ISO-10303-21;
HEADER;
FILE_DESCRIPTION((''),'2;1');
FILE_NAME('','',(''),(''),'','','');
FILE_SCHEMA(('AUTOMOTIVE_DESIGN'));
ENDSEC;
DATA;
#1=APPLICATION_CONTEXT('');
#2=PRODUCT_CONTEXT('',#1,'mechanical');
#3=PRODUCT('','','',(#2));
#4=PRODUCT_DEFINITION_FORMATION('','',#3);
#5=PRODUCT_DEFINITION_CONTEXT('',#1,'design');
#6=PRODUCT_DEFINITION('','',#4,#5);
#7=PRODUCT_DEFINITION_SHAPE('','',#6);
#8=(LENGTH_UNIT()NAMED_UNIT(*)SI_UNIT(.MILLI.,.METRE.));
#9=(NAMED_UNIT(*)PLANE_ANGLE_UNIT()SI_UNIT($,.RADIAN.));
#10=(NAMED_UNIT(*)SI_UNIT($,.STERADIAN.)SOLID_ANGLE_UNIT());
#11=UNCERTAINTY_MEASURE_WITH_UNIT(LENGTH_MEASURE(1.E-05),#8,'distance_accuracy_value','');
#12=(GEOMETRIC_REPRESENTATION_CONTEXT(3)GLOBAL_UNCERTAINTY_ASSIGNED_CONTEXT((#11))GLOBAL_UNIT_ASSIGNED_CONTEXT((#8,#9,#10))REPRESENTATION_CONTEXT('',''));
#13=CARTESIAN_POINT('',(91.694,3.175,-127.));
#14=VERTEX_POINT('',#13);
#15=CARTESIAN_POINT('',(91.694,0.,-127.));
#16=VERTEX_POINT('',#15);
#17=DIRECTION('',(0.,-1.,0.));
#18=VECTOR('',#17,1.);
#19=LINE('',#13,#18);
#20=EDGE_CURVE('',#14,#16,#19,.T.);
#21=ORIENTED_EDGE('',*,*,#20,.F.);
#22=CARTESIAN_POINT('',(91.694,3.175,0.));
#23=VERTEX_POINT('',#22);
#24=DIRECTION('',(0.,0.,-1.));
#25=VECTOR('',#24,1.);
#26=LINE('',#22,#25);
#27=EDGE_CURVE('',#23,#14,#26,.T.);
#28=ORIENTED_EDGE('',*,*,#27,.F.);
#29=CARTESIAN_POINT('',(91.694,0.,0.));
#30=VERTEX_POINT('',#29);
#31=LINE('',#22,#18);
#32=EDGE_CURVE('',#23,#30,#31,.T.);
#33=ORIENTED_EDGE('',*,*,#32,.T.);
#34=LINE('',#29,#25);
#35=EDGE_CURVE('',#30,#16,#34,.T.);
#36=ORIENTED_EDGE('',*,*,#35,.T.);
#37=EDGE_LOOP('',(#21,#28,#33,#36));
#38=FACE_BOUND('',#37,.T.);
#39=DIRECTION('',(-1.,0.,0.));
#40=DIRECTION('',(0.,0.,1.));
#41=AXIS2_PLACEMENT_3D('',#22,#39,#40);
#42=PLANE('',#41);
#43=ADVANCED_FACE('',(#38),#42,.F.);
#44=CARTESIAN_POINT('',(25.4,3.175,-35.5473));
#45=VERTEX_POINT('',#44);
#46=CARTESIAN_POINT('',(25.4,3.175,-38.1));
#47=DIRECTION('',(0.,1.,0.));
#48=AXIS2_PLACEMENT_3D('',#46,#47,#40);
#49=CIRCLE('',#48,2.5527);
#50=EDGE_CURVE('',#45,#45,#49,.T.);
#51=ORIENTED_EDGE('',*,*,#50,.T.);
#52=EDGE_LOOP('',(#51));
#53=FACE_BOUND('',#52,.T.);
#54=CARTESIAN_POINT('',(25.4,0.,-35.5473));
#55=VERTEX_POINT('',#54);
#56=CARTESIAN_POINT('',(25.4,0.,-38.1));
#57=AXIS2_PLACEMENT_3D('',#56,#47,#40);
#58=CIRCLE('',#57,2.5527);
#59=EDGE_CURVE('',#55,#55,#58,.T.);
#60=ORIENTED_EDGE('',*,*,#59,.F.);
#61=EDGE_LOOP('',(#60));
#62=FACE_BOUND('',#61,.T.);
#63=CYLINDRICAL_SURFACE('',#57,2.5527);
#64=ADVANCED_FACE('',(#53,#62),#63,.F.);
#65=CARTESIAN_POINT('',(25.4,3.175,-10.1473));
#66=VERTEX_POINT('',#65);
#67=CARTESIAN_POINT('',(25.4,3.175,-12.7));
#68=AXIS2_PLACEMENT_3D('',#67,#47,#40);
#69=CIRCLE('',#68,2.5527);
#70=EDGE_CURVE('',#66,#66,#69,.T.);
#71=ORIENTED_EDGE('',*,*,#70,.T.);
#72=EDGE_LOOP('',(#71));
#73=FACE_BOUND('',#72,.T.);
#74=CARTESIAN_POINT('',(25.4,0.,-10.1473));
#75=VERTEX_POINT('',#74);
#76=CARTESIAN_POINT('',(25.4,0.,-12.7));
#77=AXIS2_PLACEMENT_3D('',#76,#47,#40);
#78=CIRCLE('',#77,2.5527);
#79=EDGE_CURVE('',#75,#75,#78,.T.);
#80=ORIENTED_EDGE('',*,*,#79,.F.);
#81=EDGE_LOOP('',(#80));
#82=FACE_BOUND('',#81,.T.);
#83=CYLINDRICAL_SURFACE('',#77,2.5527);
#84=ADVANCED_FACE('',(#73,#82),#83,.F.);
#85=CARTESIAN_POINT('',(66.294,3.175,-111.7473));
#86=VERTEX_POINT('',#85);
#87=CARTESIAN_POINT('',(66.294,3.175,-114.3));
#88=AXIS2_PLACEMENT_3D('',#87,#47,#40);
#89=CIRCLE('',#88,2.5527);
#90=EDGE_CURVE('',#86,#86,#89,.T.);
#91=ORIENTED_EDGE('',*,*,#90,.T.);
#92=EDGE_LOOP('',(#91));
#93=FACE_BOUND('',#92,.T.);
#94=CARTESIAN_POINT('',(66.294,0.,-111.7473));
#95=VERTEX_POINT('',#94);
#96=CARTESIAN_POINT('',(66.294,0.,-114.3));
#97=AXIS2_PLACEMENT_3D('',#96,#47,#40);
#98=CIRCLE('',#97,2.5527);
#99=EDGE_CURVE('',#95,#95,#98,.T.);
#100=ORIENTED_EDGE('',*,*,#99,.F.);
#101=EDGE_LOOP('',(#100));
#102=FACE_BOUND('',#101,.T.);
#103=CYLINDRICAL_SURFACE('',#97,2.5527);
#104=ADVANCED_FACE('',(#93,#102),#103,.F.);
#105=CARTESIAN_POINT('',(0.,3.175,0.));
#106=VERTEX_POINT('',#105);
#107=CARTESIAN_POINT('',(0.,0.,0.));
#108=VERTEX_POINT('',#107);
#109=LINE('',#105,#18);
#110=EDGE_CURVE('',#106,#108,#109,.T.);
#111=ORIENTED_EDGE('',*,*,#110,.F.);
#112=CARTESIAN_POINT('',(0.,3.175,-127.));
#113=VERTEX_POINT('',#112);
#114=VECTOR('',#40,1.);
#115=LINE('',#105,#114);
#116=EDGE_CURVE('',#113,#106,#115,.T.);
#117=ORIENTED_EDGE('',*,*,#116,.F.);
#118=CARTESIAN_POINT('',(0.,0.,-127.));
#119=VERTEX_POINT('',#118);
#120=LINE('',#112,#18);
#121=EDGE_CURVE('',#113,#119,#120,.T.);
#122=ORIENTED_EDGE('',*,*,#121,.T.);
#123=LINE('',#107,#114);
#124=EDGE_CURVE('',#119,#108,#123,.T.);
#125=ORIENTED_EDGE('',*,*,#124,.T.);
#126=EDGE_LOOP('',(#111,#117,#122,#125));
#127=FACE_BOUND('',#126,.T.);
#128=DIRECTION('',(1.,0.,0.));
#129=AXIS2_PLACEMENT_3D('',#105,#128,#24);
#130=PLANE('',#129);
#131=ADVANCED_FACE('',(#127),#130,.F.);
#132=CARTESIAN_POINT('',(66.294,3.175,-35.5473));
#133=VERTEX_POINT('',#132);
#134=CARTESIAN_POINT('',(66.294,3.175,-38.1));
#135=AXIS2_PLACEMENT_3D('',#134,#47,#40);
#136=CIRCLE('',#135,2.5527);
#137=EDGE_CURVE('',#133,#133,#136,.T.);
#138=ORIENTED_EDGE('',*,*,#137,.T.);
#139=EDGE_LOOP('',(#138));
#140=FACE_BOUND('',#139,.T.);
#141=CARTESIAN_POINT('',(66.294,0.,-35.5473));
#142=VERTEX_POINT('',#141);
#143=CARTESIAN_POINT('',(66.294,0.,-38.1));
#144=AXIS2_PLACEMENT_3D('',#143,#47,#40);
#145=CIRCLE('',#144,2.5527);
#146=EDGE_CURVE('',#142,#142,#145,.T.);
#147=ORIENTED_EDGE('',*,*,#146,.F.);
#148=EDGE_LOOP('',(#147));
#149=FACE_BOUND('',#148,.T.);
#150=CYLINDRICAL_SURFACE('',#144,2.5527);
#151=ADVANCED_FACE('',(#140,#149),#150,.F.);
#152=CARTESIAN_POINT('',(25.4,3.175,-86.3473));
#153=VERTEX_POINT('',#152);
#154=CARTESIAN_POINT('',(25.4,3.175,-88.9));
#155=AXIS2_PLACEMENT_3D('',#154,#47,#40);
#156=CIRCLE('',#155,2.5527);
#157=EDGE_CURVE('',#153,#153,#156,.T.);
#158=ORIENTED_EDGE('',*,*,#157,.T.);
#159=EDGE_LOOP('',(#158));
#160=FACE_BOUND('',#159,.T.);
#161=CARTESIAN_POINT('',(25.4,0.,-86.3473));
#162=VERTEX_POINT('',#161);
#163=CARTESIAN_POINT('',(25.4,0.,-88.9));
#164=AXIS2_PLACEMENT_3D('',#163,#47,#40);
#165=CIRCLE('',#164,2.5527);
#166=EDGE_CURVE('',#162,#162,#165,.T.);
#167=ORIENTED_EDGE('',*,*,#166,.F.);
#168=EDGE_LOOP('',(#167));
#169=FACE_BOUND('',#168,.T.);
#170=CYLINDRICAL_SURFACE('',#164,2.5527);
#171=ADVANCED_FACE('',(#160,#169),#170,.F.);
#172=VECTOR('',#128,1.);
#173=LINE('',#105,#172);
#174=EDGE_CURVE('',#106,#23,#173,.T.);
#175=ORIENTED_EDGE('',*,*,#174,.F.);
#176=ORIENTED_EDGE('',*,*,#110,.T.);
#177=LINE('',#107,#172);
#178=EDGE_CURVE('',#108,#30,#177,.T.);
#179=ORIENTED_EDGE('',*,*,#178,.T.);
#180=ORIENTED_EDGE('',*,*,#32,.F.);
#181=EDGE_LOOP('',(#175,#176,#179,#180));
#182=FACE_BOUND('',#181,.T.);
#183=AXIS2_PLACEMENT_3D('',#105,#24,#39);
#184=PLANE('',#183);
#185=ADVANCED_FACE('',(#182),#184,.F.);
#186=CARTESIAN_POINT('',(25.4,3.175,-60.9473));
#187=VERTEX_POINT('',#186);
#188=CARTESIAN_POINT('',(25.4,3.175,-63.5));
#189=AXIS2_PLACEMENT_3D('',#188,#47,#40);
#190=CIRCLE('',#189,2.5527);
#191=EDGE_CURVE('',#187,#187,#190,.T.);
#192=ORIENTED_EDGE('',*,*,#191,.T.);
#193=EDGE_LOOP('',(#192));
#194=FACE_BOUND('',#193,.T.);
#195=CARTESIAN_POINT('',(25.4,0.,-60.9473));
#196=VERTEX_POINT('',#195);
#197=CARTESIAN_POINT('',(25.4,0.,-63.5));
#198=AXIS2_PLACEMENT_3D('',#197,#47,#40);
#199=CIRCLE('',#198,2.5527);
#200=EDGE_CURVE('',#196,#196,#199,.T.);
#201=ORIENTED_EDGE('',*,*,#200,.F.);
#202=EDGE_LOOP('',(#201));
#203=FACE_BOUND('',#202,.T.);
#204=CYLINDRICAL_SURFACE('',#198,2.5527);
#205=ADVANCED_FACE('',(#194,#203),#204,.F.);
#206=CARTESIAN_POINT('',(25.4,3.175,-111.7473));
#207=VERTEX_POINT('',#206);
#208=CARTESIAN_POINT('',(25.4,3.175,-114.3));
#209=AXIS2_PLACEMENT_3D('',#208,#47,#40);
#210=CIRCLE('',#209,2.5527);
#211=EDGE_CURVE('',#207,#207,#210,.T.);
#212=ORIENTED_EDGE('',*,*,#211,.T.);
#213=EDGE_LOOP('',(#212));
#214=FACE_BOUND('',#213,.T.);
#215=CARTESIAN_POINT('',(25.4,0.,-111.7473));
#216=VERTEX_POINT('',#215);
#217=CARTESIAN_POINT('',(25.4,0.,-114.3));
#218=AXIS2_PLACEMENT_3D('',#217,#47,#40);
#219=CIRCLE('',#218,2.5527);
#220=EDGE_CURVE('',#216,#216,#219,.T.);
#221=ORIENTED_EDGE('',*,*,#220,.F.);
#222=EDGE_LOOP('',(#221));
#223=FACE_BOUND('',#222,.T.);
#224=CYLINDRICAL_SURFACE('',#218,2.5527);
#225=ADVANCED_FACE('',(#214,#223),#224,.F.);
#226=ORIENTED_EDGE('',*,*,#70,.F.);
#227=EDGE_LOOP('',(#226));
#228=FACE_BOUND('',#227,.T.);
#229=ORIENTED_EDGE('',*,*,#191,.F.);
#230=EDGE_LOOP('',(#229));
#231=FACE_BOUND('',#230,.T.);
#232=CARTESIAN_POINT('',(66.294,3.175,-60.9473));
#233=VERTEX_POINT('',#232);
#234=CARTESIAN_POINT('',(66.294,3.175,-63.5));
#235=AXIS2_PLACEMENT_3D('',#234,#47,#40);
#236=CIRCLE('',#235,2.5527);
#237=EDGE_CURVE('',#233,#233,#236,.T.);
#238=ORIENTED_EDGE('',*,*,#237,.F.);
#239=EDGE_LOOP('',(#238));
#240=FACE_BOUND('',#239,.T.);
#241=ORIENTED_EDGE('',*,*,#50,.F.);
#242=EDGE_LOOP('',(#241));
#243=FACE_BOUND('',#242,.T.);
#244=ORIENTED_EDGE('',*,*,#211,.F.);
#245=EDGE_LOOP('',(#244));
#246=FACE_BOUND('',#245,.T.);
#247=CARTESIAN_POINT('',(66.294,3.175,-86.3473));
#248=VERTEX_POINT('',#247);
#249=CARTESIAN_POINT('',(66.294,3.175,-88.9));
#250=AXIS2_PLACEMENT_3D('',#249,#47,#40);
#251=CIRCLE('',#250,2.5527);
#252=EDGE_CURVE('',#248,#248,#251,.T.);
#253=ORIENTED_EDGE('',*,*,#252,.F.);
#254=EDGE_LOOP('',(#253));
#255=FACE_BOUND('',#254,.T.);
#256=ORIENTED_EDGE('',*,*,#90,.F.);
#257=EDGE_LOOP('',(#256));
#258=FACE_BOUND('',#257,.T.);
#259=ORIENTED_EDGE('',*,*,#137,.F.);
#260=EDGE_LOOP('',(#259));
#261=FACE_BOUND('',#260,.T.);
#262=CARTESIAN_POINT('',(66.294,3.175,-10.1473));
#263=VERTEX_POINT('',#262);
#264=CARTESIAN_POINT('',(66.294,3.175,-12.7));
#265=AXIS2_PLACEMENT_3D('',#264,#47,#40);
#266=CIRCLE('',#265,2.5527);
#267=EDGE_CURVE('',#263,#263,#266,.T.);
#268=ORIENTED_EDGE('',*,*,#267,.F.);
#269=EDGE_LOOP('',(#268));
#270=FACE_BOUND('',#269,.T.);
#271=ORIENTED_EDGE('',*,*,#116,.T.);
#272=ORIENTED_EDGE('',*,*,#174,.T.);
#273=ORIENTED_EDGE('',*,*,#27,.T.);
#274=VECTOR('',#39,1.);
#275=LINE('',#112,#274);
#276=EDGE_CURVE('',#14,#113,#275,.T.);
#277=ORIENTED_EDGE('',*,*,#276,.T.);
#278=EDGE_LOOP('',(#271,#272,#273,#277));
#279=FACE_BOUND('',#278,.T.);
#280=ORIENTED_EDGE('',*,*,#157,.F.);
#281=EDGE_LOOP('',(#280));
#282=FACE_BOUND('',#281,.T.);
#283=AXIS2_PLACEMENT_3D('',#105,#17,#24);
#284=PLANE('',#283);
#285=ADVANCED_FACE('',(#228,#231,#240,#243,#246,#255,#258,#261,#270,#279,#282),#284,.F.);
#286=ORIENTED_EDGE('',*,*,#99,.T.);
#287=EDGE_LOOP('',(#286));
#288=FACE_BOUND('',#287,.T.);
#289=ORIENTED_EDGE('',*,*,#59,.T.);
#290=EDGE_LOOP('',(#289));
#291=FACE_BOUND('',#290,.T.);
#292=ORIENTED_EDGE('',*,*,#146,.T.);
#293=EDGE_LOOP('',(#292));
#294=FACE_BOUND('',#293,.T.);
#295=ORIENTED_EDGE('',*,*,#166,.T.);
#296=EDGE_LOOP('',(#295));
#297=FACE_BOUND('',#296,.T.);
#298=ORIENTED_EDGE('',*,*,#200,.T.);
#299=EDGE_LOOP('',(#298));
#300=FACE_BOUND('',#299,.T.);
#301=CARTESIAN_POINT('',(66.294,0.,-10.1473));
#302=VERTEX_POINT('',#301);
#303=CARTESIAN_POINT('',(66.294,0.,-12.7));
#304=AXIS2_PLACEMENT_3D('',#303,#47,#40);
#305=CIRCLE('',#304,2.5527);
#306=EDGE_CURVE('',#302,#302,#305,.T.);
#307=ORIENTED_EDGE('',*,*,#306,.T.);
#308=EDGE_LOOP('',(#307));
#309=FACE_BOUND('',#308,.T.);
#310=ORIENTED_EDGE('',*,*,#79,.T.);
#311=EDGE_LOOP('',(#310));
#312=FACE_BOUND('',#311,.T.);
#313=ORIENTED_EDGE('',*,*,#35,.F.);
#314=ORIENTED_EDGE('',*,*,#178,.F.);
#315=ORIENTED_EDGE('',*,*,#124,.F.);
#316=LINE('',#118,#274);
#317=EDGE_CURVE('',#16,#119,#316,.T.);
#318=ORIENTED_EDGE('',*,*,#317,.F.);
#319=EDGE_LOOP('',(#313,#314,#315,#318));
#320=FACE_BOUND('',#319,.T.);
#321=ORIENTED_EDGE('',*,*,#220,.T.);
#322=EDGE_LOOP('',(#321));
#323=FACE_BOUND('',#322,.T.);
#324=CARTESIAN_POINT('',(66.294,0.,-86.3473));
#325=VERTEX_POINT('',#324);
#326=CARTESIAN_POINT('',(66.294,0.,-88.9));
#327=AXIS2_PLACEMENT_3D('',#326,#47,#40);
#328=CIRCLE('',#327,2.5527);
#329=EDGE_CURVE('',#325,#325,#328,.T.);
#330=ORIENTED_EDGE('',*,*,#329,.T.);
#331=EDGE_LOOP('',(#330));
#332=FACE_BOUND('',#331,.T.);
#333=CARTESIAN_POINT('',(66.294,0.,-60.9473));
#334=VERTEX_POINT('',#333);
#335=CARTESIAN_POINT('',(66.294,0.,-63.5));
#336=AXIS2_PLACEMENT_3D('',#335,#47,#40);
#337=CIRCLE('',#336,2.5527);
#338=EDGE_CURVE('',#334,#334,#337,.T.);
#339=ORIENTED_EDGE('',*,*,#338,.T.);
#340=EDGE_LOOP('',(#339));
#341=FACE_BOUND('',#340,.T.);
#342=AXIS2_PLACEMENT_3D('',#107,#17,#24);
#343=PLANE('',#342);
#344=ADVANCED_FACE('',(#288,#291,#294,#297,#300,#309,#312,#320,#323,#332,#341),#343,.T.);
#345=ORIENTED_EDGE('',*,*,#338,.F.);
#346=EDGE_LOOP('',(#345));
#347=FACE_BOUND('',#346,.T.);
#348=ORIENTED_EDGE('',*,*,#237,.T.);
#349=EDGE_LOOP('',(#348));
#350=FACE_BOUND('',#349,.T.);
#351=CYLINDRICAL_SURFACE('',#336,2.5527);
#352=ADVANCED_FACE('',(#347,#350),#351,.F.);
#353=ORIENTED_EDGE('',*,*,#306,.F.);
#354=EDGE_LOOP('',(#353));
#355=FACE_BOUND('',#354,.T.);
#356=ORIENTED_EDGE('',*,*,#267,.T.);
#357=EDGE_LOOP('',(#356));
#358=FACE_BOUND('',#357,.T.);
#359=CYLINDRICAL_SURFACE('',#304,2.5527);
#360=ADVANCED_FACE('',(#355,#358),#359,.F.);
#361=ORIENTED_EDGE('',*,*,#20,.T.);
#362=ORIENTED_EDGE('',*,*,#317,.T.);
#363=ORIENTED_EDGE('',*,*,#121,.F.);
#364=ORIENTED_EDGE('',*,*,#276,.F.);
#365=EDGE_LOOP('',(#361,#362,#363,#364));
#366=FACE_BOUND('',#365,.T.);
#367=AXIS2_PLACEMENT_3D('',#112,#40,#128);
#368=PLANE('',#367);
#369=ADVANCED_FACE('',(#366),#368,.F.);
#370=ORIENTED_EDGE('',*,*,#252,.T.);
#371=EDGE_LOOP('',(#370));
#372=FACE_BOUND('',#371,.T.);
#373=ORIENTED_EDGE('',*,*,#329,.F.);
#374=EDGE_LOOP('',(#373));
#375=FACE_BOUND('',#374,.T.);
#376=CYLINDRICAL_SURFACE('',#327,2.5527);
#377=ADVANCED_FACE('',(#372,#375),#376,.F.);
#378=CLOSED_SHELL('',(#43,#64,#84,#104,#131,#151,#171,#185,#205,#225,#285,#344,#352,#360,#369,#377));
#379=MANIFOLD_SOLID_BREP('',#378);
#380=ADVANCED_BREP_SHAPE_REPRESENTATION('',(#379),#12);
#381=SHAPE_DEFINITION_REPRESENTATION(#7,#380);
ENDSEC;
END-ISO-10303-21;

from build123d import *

# Parameters (mm, degrees)
SKETCH1_W           = 91.694
SKETCH1_H           = 127
BOSS_EXTRUDE1_DEPTH = 3.175
SKETCH2_R           = 2.5527
CUT_EXTRUDE1_DEPTH  = 3.175
LPATTERN1_COUNT     = 5
LPATTERN1_PITCH     = 25.4
SKETCH3_R           = 2.5527
CUT_EXTRUDE2_DEPTH  = 3.175
LPATTERN2_COUNT     = 5
LPATTERN2_PITCH     = 25.4


with BuildPart() as part:
    # Sketch1 → Boss-Extrude1 (new body)
    with BuildSketch(Plane(origin=(0, 0, 0), x_dir=(1, 0, 0), z_dir=(0, 1, 0))):
        with Locations((45.847, 63.5)):
            Rectangle(SKETCH1_W, SKETCH1_H)
    extrude(amount=BOSS_EXTRUDE1_DEPTH)

    # Sketch2 → Cut-Extrude1 (cut)
    with BuildSketch(Plane(origin=(0, 3.175, 0), x_dir=(1, 0, 0), z_dir=(0, 1, 0))):
        with Locations(Location((25.4, 12.7, 0), (0, 0, 270))):
            Circle(SKETCH2_R)
    cut_extrude1 = extrude(amount=-CUT_EXTRUDE1_DEPTH, mode=Mode.SUBTRACT)

    # LPattern1: Cut-Extrude1 ×5
    with Locations(*[(0, 0, -i * LPATTERN1_PITCH) for i in range(1, LPATTERN1_COUNT)]):
        add(cut_extrude1, mode=Mode.SUBTRACT)

    # Sketch3 → Cut-Extrude2 (cut)
    with BuildSketch(Plane(origin=(0, 3.175, 0), x_dir=(1, 0, 0), z_dir=(0, 1, 0))):
        with Locations(Location((66.294, 12.7, 0), (0, 0, 270))):
            Circle(SKETCH3_R)
    cut_extrude2 = extrude(amount=-CUT_EXTRUDE2_DEPTH, mode=Mode.SUBTRACT)

    # LPattern2: Cut-Extrude2 ×5
    with Locations(*[(0, 0, -i * LPATTERN2_PITCH) for i in range(1, LPATTERN2_COUNT)]):
        add(cut_extrude2, mode=Mode.SUBTRACT)


solid = part.part
